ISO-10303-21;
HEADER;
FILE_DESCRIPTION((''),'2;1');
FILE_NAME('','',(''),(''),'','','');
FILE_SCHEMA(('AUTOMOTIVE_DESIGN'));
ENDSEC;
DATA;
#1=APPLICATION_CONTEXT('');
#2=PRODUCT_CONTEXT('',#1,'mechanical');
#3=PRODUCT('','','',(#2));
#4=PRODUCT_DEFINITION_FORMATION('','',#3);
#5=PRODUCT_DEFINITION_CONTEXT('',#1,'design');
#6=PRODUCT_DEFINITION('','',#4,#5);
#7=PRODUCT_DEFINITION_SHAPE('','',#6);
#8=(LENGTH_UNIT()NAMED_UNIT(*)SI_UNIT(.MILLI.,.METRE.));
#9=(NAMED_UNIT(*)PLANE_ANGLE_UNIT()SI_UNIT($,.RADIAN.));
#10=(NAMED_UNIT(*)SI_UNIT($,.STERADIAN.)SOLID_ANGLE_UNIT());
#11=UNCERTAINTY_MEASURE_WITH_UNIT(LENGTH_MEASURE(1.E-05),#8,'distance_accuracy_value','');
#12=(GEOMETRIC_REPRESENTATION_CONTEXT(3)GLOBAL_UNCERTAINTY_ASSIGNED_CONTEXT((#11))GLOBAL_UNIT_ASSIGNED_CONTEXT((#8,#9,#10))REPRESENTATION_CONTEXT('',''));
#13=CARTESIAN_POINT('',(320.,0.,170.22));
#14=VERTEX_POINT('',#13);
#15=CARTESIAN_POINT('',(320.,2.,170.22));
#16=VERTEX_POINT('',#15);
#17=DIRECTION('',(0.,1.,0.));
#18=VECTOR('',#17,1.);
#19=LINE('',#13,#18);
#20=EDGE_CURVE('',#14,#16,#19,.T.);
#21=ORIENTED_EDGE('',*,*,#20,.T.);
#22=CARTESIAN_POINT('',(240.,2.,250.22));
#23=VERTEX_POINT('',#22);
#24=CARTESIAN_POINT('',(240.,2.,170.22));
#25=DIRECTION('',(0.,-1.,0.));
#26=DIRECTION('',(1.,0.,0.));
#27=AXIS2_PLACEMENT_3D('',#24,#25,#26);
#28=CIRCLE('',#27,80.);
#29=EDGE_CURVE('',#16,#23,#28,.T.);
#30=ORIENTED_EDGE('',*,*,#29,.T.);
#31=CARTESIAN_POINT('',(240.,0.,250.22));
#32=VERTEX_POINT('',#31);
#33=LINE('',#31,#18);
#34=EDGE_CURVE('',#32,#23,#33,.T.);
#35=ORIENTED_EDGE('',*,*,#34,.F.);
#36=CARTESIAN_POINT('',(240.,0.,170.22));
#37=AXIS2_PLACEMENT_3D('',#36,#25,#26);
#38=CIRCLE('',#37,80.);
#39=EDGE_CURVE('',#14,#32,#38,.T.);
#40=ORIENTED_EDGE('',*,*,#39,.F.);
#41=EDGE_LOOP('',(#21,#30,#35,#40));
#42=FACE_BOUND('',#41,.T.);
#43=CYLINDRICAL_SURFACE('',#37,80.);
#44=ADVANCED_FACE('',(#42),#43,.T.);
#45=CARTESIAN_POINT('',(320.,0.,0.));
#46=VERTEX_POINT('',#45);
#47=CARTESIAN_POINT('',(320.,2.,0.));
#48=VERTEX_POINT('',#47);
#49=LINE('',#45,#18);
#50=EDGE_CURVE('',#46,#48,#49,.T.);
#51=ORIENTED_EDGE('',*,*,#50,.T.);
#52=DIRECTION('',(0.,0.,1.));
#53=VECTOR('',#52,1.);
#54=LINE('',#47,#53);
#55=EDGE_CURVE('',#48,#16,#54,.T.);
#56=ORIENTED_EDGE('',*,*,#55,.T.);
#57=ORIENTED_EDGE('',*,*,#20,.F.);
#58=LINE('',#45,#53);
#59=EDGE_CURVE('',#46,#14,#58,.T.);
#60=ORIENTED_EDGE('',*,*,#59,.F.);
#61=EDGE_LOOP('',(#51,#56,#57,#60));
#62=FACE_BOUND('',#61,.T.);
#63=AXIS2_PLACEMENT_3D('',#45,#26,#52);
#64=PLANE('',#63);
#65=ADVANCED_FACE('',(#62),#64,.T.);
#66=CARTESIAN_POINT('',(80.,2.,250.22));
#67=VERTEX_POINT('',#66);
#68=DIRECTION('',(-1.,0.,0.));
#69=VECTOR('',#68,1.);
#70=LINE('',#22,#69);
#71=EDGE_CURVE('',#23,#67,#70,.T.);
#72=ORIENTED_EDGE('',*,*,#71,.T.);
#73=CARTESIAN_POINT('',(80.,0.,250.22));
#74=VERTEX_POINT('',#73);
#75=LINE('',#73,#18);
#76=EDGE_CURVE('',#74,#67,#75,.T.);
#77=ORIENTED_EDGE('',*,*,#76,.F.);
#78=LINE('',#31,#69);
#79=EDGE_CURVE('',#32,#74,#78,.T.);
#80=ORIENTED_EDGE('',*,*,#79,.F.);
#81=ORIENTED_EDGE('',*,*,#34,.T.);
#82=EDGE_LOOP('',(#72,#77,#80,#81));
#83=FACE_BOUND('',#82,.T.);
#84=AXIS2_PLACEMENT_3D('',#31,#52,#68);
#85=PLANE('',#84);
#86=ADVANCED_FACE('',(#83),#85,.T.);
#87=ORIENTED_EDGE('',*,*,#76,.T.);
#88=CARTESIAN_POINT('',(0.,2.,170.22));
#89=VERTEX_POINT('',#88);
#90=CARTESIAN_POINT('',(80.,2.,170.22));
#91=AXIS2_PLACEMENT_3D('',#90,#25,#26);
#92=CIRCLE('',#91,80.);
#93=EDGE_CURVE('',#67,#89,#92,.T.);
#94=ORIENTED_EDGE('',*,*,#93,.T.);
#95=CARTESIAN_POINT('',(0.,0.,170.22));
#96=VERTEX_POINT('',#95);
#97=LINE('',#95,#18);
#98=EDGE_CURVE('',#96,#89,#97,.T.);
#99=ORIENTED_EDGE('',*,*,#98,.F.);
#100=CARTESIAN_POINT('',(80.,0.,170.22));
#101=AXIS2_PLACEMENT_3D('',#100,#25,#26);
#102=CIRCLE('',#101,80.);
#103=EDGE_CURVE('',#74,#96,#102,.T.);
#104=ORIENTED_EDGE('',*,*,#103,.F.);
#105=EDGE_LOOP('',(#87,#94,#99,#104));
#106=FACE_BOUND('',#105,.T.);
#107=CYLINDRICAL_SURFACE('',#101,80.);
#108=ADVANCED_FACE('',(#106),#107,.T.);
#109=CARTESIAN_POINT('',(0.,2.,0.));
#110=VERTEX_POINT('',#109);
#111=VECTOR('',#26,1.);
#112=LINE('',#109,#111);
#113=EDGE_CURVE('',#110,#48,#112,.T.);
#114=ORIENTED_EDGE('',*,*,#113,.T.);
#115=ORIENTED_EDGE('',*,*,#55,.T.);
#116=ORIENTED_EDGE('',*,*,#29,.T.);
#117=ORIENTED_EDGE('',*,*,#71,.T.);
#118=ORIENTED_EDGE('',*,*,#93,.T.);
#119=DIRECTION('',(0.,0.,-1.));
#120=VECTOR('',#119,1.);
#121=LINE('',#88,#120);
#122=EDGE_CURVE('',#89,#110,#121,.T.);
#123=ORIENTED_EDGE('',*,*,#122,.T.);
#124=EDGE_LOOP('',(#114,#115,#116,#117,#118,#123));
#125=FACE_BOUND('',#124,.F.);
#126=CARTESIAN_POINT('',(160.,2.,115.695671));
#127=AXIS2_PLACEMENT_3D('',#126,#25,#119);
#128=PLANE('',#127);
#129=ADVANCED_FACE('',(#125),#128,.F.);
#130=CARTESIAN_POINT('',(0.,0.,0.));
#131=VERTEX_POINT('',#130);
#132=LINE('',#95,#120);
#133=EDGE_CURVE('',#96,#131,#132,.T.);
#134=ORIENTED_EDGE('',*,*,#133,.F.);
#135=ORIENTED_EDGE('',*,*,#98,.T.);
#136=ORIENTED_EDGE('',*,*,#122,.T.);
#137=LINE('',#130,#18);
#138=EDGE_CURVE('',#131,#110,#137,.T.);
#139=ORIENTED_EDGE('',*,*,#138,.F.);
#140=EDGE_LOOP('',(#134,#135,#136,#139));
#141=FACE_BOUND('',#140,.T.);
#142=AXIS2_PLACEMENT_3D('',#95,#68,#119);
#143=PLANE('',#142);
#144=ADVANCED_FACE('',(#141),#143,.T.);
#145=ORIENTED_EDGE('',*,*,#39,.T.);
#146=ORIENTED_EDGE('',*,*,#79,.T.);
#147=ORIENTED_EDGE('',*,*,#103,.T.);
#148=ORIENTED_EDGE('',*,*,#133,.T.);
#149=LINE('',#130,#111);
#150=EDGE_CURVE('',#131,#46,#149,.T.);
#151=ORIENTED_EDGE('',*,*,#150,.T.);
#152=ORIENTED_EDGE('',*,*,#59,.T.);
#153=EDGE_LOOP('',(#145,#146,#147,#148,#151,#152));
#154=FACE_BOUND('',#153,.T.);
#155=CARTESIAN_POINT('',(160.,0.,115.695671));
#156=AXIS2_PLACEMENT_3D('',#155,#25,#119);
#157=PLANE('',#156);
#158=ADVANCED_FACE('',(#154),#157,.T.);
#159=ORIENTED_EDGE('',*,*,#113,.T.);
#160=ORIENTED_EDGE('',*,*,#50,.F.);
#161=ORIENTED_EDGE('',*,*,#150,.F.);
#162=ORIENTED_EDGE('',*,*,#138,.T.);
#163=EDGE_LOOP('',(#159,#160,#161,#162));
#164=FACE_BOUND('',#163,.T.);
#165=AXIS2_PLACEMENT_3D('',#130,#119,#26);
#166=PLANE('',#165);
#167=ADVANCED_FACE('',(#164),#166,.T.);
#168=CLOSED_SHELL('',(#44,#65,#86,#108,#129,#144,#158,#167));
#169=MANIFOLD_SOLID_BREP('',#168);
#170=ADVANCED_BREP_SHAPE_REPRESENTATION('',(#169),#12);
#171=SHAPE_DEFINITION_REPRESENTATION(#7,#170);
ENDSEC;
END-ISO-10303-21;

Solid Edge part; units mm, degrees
sketch "Sketch1" plane through (0, 0, 0) normal (0, -1, 0) x (1, 0, 0)
  line L0 (240, 250.22) -> (80, 250.22)
  arc A0 (80, 250.22) -> (0, 170.22) centre (80, 170.22) ccw
  line L1 (0, 170.22) -> (0, 0)
  line L2 (0, 0) -> (320, 0)
  line L3 (320, 0) -> (320, 170.22)
  arc A1 (320, 170.22) -> (240, 250.22) centre (240, 170.22) ccw
extrude "Protrusion1" add sketch "Sketch1" against normal blind 2
properties material "Aluminum, 1060"
